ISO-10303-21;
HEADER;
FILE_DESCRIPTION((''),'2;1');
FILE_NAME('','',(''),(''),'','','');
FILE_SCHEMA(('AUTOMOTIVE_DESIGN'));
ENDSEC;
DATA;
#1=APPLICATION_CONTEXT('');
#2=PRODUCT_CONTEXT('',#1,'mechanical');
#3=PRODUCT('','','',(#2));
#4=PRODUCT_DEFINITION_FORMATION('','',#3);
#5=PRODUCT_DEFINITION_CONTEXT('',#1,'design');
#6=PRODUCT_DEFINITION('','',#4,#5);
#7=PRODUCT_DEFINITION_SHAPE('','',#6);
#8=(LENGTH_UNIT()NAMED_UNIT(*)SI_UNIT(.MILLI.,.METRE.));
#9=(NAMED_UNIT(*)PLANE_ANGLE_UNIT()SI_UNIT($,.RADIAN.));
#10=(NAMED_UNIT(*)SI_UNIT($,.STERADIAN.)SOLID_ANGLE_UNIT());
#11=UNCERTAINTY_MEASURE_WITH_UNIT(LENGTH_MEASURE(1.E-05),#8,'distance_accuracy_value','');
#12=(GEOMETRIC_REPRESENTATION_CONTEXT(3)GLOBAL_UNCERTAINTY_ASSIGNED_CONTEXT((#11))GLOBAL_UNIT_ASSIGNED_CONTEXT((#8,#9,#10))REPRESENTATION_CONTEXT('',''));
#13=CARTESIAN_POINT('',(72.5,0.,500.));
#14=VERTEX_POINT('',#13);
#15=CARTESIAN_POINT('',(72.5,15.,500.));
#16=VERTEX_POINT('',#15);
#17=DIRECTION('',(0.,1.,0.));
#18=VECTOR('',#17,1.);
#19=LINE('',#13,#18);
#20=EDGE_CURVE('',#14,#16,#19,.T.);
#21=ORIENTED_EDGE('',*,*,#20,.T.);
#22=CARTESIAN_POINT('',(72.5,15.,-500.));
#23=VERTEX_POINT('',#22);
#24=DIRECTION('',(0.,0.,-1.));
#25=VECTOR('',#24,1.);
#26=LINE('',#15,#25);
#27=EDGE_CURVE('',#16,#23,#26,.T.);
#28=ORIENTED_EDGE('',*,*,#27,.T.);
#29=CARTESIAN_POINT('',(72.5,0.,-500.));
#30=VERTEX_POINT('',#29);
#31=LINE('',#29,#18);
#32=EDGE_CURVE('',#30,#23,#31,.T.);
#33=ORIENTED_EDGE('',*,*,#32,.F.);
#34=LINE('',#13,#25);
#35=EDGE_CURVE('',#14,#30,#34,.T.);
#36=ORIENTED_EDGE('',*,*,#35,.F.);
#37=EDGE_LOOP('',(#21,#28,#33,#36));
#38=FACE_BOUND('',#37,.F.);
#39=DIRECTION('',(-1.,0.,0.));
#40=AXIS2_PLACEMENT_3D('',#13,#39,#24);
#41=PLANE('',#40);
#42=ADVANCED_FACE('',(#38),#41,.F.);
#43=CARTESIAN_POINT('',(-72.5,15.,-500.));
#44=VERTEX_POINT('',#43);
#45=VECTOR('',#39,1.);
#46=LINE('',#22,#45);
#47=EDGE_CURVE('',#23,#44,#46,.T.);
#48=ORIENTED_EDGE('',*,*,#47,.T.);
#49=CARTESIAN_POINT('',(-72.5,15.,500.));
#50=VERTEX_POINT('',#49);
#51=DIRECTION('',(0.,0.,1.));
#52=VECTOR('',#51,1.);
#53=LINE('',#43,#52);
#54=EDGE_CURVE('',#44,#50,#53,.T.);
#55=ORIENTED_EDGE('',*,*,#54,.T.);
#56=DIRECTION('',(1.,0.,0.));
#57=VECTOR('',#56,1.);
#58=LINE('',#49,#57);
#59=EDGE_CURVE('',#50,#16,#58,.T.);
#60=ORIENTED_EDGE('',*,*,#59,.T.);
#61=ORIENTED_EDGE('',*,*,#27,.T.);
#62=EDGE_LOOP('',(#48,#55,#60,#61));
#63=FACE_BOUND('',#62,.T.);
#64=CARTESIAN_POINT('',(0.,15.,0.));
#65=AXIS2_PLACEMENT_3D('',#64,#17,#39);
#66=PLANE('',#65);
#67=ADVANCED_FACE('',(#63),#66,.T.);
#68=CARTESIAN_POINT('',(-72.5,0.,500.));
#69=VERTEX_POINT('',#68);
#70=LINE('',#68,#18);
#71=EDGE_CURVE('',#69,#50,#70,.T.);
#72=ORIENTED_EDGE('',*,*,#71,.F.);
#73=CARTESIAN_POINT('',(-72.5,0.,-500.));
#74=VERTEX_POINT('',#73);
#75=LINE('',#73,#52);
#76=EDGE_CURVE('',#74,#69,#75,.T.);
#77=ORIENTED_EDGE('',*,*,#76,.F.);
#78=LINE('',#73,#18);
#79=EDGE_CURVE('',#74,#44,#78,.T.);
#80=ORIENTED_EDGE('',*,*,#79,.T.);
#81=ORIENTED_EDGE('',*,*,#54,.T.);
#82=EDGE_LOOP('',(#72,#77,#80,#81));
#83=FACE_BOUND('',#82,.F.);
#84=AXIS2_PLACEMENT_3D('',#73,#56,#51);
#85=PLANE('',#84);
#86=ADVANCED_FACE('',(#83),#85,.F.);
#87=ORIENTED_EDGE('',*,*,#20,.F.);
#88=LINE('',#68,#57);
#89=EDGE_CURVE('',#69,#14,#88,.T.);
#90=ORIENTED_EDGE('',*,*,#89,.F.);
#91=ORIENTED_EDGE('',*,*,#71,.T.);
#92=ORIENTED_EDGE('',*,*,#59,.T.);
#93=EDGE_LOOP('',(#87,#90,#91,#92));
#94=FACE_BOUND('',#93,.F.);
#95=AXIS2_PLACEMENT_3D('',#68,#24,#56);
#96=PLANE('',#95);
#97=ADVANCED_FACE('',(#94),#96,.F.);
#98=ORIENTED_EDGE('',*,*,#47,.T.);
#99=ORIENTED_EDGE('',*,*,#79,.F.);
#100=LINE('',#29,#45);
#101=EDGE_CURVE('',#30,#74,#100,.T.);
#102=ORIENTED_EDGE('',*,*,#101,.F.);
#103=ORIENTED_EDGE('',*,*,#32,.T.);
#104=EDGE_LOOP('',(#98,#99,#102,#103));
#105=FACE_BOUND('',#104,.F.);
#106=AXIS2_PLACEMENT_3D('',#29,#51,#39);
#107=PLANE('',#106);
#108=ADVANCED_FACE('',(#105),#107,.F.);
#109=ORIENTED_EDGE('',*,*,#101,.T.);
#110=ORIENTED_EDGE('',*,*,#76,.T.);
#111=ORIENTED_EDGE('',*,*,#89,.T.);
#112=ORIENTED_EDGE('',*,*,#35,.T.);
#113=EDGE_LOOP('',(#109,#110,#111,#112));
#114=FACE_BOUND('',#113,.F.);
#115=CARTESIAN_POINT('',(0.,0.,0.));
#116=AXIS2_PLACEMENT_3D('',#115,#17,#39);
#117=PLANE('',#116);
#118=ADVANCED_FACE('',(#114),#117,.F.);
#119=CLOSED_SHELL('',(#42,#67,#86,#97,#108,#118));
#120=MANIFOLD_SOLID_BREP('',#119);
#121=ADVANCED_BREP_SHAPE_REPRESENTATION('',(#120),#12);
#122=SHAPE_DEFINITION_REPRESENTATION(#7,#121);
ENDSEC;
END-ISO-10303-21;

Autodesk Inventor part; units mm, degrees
ref_plane "YZ Plane" through (0, 0, 0) normal (1, 0, 0) x (0, 1, 0)
ref_plane "XZ Plane" through (0, 0, 0) normal (0, 1, 0) x (-1, 0, 0)
ref_plane "XY Plane" through (0, 0, 0) normal (0, 0, 1) x (1, 0, 0)
sketch "Эскиз1" plane through (0, 0, 0) normal (0, 1, 0) x (-1, 0, 0)
  line L0 (-72.5, -500) -> (72.5, -500)
  line L1 (72.5, -500) -> (72.5, 500)
  line L2 (72.5, 500) -> (-72.5, 500)
  line L3 (-72.5, 500) -> (-72.5, -500)
  line L4 (-72.5, -500) -> (72.5, 500) construction
  line L5 (72.5, -500) -> (-72.5, 500) construction
  point P0 (0, 0)
  dimension "d0" = 145
  dimension "d1" = 1000
extrude "Выдавливание1" add sketch "Эскиз1" along normal blind 15
properties part number "верхушка"
